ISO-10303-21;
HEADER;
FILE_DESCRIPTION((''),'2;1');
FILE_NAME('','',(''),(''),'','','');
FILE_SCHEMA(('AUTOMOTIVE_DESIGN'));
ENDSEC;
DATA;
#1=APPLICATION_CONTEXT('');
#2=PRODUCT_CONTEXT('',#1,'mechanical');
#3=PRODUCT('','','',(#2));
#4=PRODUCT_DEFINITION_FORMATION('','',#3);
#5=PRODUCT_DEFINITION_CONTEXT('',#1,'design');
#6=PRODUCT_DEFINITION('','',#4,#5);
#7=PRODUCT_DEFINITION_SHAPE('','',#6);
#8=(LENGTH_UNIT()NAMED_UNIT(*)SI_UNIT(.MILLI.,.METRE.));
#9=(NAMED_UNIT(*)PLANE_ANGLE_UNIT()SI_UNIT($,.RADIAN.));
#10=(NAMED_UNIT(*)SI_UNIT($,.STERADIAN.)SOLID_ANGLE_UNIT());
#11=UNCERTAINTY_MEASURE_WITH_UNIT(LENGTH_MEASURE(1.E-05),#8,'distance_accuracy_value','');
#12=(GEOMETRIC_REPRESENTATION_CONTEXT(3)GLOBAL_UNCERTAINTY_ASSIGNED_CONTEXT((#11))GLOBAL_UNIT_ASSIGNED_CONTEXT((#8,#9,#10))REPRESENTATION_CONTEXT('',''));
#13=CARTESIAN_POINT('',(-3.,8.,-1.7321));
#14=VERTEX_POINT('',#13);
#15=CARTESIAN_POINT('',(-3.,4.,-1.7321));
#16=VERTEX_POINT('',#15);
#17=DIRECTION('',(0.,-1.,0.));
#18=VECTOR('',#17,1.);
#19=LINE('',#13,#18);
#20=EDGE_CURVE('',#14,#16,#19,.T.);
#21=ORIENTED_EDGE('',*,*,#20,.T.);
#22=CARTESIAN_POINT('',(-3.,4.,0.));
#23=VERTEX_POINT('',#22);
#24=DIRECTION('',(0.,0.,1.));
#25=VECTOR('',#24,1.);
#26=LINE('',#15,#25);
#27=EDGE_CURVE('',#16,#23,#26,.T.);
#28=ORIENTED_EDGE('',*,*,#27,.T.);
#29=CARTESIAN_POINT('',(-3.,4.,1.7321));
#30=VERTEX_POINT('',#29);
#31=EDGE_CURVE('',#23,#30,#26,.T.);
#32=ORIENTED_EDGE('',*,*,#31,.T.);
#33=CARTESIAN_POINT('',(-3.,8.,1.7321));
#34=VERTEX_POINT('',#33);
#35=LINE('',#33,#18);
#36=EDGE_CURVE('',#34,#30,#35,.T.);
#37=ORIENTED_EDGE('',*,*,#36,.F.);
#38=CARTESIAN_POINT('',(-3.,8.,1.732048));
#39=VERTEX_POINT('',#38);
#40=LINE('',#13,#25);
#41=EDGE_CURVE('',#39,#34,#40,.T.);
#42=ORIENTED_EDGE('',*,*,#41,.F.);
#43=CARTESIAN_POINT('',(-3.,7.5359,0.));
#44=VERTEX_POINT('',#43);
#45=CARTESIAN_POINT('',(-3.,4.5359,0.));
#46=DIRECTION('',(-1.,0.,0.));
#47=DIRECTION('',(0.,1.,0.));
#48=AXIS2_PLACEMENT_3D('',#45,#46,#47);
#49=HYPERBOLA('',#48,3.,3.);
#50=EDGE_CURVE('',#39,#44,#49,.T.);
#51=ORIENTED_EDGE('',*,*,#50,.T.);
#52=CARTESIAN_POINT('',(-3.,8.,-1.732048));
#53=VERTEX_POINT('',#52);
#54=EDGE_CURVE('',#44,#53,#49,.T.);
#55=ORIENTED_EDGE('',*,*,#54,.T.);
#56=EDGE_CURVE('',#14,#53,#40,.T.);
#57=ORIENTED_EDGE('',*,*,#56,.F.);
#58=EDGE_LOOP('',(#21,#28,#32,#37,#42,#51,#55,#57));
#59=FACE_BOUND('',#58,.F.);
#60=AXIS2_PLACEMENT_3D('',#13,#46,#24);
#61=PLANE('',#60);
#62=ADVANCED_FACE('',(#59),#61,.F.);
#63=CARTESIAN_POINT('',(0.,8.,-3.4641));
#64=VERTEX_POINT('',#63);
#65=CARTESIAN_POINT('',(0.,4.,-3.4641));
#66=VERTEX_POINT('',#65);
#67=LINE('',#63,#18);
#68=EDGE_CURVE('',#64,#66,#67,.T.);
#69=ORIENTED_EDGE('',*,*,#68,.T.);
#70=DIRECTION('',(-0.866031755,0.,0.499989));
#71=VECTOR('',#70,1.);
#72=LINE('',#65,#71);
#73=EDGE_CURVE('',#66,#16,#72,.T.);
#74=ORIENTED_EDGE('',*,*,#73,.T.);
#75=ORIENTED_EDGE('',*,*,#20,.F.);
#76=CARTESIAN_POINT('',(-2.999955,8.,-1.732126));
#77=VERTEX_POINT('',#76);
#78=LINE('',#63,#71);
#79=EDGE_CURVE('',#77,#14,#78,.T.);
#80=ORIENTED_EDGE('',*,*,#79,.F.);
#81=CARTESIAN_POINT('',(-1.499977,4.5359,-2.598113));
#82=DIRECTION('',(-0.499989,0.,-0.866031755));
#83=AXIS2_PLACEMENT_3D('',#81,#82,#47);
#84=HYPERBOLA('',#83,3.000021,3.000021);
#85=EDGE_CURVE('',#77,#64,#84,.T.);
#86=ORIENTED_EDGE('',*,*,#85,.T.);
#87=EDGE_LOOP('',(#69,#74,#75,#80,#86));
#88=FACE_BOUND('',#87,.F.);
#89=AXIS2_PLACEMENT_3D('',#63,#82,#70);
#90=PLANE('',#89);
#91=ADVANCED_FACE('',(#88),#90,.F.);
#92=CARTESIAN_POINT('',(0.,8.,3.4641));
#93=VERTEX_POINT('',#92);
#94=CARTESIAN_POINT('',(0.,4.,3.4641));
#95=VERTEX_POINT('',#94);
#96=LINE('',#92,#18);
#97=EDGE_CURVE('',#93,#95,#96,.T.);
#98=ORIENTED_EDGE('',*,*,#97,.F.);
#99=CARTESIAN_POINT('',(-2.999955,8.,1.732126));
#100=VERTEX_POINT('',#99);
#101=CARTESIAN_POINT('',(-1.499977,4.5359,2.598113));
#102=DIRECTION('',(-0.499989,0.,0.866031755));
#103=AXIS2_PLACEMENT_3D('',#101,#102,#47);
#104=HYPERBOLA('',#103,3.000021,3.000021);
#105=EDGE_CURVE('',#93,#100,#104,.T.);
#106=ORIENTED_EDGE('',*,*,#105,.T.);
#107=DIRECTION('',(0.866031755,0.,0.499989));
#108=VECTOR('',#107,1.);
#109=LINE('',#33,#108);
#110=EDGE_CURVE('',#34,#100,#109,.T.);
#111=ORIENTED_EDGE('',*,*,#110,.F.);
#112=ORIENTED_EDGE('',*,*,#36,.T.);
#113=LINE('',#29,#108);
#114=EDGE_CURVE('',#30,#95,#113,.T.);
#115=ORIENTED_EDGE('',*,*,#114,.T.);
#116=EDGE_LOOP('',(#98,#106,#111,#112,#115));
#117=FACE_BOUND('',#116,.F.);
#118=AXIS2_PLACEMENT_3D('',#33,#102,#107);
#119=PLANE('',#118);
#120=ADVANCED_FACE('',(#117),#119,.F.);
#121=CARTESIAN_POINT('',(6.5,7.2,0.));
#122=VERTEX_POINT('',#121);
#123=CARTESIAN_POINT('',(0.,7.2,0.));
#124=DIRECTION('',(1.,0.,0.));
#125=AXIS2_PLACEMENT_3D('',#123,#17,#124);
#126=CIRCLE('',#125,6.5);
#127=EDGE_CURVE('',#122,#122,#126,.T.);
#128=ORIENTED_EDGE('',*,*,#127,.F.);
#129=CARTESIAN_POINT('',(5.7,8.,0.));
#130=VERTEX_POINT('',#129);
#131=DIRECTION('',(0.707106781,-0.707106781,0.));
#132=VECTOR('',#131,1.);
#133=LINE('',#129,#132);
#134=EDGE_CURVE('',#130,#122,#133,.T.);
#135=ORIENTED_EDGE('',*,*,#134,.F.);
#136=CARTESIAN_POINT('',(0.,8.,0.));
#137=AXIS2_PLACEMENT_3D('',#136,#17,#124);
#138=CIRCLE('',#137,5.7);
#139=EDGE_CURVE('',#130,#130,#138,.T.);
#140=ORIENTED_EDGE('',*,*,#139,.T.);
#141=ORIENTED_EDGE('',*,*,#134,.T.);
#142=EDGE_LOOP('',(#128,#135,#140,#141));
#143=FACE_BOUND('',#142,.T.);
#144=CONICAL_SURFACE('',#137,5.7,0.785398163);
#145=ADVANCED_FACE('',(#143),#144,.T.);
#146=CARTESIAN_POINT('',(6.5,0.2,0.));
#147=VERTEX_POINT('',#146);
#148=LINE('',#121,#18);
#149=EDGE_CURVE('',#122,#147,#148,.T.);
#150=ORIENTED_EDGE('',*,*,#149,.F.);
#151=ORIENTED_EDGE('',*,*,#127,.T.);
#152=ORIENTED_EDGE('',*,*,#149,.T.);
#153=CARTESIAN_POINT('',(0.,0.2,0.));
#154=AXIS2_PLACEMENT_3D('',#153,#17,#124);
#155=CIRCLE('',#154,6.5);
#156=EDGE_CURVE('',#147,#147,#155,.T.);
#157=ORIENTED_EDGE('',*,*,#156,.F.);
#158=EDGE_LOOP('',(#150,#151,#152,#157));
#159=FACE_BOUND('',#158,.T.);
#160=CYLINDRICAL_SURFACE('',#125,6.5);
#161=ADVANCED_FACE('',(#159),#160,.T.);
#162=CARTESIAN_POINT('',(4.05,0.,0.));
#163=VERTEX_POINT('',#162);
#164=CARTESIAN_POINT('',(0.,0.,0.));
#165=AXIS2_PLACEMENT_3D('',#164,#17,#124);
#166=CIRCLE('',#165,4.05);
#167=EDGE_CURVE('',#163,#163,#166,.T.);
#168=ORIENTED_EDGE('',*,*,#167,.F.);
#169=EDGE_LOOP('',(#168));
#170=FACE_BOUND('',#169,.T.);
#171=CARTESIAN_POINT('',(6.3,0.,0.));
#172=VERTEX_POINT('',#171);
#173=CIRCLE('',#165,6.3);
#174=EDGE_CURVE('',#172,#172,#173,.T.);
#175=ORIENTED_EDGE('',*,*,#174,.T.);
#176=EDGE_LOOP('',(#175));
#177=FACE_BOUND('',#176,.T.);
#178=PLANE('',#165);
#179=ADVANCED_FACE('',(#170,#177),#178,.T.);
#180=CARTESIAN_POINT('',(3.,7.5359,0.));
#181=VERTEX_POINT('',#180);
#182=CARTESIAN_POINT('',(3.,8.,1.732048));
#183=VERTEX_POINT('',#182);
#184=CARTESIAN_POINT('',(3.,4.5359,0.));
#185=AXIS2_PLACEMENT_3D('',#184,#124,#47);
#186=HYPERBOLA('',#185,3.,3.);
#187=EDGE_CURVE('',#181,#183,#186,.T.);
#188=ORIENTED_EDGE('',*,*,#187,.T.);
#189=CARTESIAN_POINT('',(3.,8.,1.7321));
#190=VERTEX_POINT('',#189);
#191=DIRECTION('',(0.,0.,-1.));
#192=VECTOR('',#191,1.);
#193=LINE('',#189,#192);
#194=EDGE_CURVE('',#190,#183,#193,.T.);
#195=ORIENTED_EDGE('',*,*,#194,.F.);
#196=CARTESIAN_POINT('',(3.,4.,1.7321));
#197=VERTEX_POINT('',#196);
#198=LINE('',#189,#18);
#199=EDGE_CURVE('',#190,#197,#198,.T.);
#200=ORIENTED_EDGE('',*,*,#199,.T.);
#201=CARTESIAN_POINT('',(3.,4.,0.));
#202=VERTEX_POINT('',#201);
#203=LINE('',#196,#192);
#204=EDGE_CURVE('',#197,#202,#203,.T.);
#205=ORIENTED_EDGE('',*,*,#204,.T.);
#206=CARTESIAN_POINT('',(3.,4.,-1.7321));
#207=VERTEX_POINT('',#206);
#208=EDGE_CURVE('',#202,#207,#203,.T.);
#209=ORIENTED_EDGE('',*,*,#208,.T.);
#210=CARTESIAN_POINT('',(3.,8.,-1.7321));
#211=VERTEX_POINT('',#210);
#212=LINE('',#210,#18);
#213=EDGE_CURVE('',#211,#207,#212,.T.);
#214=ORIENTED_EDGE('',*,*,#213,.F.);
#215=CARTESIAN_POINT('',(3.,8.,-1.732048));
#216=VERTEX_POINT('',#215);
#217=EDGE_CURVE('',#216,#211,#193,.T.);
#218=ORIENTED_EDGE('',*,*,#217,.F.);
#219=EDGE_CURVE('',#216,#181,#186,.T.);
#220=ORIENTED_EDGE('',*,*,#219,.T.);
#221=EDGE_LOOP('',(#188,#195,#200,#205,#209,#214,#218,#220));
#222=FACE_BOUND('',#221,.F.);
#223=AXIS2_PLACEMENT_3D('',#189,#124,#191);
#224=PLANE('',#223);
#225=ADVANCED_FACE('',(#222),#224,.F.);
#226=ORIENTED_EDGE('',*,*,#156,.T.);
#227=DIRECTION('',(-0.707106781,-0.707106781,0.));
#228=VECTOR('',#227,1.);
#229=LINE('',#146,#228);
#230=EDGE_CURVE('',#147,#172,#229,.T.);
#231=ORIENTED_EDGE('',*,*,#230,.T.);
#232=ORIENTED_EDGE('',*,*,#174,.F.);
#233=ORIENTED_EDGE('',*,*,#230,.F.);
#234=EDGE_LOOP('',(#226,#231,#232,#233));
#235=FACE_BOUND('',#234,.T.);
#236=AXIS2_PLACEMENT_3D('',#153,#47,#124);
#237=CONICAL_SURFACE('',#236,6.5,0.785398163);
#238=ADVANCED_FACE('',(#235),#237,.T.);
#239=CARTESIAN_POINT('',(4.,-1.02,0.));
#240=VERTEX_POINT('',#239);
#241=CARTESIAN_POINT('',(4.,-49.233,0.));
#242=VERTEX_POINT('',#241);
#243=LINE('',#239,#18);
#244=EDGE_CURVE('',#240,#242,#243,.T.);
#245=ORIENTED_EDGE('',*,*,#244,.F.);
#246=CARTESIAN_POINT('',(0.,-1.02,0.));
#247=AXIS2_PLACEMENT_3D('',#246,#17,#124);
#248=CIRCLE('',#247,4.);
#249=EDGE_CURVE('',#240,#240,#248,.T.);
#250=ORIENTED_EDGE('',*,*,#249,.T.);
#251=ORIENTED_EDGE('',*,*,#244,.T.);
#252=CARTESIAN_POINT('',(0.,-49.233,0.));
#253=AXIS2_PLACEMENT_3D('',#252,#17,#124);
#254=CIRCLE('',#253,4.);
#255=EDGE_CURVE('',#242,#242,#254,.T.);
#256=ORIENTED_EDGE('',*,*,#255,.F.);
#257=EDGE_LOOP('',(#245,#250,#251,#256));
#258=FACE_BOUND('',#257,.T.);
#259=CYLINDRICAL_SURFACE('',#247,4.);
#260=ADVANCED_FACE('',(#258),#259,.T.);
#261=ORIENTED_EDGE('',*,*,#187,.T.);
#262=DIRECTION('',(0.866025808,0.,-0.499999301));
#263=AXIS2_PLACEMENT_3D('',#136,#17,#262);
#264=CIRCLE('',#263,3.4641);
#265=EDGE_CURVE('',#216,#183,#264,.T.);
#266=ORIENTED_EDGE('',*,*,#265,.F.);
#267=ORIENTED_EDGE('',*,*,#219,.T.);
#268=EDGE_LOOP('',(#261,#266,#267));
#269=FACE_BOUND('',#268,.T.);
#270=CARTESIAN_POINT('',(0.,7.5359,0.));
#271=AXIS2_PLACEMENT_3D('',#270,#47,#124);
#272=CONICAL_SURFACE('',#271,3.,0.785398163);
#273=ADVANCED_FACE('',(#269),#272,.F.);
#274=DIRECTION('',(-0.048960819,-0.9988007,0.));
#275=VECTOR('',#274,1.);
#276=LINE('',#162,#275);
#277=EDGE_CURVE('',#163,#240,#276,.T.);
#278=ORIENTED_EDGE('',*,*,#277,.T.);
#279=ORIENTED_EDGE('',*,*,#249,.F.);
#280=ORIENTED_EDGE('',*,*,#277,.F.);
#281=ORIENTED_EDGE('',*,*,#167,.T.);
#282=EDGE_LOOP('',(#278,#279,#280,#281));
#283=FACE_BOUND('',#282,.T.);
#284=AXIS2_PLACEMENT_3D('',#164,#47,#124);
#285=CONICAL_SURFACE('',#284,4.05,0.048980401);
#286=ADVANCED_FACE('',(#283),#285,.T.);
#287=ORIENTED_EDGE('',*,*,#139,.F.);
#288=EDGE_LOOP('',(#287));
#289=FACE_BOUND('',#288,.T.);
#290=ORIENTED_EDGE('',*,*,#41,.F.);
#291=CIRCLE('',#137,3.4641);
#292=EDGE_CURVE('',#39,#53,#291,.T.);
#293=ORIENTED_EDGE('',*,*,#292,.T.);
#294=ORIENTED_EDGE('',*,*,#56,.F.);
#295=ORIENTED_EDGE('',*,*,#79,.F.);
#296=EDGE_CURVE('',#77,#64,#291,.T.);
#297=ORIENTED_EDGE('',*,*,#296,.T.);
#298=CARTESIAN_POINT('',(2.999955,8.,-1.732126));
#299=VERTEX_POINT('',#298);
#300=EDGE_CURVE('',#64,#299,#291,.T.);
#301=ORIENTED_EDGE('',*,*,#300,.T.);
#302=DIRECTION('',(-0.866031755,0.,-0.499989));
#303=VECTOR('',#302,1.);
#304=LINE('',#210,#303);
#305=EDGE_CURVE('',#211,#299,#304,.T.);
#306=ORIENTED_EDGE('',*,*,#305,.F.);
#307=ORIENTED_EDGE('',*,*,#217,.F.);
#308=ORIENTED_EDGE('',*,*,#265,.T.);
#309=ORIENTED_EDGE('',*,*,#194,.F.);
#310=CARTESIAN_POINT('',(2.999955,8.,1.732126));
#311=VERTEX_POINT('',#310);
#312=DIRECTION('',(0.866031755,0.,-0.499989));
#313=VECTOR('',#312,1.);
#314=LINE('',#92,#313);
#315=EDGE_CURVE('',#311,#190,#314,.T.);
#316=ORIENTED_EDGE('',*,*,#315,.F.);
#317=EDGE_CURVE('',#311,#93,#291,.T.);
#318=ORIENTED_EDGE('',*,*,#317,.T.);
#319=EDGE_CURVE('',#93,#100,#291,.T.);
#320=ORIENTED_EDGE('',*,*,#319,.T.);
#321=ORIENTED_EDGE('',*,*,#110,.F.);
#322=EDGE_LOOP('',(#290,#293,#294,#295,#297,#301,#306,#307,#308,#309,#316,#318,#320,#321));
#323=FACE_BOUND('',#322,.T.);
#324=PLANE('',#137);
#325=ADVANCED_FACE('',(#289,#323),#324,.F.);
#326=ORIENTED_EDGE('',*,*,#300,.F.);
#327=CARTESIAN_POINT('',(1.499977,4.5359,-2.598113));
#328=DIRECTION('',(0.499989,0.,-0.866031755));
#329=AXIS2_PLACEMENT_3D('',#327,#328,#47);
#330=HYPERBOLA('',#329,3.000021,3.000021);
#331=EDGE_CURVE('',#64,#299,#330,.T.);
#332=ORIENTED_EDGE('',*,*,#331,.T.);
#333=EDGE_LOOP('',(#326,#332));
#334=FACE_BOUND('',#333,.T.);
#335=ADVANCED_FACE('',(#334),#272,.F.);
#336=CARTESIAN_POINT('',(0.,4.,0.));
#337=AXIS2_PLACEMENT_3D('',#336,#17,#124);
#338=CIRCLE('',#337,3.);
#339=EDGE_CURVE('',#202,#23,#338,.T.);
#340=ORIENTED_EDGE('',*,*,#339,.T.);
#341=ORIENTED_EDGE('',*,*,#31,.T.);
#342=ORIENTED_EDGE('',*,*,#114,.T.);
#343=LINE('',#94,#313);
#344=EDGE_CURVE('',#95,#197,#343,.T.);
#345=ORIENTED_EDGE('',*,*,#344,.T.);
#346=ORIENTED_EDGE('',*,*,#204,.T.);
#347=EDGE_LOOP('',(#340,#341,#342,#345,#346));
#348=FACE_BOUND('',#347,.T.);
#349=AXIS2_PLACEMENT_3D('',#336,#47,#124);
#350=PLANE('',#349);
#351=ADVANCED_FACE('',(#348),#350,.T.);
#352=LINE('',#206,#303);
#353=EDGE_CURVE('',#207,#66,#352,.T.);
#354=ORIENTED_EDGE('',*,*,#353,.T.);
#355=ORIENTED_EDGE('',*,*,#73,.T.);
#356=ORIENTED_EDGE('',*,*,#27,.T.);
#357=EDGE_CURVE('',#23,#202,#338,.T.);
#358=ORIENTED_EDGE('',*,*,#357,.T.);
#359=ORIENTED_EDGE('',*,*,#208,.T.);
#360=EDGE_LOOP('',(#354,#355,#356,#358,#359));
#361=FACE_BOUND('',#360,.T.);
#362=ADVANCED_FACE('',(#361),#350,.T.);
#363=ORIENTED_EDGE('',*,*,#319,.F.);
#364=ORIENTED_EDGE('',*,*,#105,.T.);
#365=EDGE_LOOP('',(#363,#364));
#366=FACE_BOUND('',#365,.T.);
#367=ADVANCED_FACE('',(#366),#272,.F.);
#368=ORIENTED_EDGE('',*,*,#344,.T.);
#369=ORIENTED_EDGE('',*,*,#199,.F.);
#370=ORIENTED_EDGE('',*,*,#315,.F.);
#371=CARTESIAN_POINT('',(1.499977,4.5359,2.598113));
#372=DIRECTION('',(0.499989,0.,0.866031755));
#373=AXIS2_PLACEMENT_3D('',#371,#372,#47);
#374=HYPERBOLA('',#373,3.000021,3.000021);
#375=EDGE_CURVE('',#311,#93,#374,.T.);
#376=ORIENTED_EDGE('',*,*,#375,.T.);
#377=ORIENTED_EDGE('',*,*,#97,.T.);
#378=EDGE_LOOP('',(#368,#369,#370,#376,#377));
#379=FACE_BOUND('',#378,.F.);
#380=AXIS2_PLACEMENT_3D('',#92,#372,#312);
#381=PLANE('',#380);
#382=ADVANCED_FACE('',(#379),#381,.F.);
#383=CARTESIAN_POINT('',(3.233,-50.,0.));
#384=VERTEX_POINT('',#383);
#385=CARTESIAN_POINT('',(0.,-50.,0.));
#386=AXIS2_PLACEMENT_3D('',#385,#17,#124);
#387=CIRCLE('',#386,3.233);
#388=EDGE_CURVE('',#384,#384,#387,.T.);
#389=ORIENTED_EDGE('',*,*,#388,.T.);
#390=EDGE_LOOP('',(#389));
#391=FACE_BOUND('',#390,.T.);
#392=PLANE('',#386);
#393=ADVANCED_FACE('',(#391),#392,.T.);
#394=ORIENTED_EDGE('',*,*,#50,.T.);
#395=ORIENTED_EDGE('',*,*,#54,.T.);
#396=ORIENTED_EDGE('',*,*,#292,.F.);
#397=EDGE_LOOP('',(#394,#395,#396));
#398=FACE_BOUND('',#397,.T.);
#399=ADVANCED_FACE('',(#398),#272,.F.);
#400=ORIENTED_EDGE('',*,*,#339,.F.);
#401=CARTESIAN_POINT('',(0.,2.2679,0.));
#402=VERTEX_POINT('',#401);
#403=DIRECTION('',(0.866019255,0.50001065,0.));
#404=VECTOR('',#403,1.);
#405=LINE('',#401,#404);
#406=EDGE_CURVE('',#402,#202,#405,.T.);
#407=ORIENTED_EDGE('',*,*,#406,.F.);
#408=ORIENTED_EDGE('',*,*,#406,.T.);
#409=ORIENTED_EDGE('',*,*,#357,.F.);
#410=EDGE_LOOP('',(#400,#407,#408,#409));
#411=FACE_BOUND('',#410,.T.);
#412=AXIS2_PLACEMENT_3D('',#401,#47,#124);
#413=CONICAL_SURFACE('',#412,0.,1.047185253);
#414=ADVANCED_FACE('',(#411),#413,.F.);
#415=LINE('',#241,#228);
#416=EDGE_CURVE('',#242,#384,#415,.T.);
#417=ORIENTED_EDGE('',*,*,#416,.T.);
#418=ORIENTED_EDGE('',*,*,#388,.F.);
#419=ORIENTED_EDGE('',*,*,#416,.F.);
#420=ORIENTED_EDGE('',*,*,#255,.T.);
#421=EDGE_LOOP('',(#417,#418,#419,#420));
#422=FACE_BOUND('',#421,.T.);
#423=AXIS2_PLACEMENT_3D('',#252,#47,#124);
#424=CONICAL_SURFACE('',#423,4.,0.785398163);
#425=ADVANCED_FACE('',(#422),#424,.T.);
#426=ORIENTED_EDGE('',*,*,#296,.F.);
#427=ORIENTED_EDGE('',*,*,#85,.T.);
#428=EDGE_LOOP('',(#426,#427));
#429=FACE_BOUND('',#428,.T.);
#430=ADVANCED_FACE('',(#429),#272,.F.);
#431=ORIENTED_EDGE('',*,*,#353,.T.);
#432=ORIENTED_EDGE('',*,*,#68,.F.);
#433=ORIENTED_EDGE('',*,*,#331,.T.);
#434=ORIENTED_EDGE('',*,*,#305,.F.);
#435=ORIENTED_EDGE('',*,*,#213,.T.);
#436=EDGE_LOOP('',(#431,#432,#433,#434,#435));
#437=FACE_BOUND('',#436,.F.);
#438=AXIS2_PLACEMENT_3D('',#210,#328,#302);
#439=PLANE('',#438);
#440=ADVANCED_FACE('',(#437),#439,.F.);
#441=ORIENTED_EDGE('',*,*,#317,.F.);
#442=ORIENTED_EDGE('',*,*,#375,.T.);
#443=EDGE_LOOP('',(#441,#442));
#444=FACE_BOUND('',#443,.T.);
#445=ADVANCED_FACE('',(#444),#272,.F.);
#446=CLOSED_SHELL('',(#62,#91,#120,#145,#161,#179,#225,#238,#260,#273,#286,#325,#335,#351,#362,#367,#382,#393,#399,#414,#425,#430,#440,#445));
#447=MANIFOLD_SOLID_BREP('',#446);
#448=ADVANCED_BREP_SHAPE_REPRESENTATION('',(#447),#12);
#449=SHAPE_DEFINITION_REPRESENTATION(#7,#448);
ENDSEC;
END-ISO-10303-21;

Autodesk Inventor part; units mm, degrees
sketch "Sketch_1" plane through (0, 0, 0) normal (0, 0, 1) x (1, 0, 0)
  line L0 (0, -50) -> (0, 8)
  line L1 (0, 2.2679) -> (3, 4)
  line L2 (3, 4) -> (3, 7.5359)
  line L3 (3, 7.5359) -> (3.4641, 8)
  line L4 (3.4641, 8) -> (5.7, 8)
  line L5 (5.7, 8) -> (6.5, 7.2)
  line L6 (6.5, 7.2) -> (6.5, 0.2)
  line L7 (6.5, 0.2) -> (6.3, 0)
  line L8 (6.3, 0) -> (4.05, 0)
  line L9 (4.05, 0) -> (4, -1.02)
  line L10 (4, -1.02) -> (4, -49.233)
  line L11 (4, -49.233) -> (3.233, -50)
  line L12 (3.233, -50) -> (0, -50)
  line L13 (0, -50) -> (0, 2.2679)
revolve "Revolution1" add sketch "Sketch_1" angle 360 about axis through (0, -50, 0) along (0, -1, 0)
thread "Thread1" size "M8x1.25" class "6g" standard "ISO Metric profile" length 27.233
sketch "Sketch_2" plane through (0, 8, 0) normal (0, 1, 0) x (1, 0, 0)
  line L0 (-3, -1.7321) -> (0, -3.4641)
  line L1 (0, -3.4641) -> (3, -1.7321)
  line L2 (3, -1.7321) -> (3, 1.7321)
  line L3 (3, 1.7321) -> (0, 3.4641)
  line L4 (0, 3.4641) -> (-3, 1.7321)
  line L5 (-3, 1.7321) -> (-3, -1.7321)
extrude "Extrusion1" cut sketch "Sketch_2" against normal blind 4
ref_plane "ANBAU_XY" through (0, 0, 0) normal (0, 1, 0) x (1, 0, 0)
ref_plane "ANBAU_YZ" through (0, 0, 0) normal (1, 0, 0) x (0, 0, -1)
ref_plane "ANBAU_ZX" through (0, 0, 0) normal (0, 0, -1) x (0, 1, 0)
ref_plane "Schraube_XY" through (0, 0, 0) normal (0, 1, 0) x (1, 0, 0)
ref_plane "Schraube_YZ" through (0, 0, 0) normal (1, 0, 0) x (0, 0, -1)
ref_plane "Schraube_ZX" through (0, 0, 0) normal (0, 0, -1) x (0, 1, 0)
ref_plane "insert_XY" through (0, 0, 0) normal (0, 1, 0) x (1, 0, 0)
ref_plane "insert_YZ" through (0, 0, 0) normal (1, 0, 0) x (0, 0, -1)
ref_plane "insert_ZX" through (0, 0, 0) normal (0, 0, -1) x (0, 1, 0)
ref_plane "schrauben_punkt_XY" through (0, -50, 0) normal (0, 1, 0) x (1, 0, 0)
ref_plane "schrauben_punkt_YZ" through (0, -50, 0) normal (1, 0, 0) x (0, 0, -1)
ref_plane "schrauben_punkt_ZX" through (0, -50, 0) normal (0, 0, -1) x (0, 1, 0)
properties part number "DIN-912 - M8x50(F)"
